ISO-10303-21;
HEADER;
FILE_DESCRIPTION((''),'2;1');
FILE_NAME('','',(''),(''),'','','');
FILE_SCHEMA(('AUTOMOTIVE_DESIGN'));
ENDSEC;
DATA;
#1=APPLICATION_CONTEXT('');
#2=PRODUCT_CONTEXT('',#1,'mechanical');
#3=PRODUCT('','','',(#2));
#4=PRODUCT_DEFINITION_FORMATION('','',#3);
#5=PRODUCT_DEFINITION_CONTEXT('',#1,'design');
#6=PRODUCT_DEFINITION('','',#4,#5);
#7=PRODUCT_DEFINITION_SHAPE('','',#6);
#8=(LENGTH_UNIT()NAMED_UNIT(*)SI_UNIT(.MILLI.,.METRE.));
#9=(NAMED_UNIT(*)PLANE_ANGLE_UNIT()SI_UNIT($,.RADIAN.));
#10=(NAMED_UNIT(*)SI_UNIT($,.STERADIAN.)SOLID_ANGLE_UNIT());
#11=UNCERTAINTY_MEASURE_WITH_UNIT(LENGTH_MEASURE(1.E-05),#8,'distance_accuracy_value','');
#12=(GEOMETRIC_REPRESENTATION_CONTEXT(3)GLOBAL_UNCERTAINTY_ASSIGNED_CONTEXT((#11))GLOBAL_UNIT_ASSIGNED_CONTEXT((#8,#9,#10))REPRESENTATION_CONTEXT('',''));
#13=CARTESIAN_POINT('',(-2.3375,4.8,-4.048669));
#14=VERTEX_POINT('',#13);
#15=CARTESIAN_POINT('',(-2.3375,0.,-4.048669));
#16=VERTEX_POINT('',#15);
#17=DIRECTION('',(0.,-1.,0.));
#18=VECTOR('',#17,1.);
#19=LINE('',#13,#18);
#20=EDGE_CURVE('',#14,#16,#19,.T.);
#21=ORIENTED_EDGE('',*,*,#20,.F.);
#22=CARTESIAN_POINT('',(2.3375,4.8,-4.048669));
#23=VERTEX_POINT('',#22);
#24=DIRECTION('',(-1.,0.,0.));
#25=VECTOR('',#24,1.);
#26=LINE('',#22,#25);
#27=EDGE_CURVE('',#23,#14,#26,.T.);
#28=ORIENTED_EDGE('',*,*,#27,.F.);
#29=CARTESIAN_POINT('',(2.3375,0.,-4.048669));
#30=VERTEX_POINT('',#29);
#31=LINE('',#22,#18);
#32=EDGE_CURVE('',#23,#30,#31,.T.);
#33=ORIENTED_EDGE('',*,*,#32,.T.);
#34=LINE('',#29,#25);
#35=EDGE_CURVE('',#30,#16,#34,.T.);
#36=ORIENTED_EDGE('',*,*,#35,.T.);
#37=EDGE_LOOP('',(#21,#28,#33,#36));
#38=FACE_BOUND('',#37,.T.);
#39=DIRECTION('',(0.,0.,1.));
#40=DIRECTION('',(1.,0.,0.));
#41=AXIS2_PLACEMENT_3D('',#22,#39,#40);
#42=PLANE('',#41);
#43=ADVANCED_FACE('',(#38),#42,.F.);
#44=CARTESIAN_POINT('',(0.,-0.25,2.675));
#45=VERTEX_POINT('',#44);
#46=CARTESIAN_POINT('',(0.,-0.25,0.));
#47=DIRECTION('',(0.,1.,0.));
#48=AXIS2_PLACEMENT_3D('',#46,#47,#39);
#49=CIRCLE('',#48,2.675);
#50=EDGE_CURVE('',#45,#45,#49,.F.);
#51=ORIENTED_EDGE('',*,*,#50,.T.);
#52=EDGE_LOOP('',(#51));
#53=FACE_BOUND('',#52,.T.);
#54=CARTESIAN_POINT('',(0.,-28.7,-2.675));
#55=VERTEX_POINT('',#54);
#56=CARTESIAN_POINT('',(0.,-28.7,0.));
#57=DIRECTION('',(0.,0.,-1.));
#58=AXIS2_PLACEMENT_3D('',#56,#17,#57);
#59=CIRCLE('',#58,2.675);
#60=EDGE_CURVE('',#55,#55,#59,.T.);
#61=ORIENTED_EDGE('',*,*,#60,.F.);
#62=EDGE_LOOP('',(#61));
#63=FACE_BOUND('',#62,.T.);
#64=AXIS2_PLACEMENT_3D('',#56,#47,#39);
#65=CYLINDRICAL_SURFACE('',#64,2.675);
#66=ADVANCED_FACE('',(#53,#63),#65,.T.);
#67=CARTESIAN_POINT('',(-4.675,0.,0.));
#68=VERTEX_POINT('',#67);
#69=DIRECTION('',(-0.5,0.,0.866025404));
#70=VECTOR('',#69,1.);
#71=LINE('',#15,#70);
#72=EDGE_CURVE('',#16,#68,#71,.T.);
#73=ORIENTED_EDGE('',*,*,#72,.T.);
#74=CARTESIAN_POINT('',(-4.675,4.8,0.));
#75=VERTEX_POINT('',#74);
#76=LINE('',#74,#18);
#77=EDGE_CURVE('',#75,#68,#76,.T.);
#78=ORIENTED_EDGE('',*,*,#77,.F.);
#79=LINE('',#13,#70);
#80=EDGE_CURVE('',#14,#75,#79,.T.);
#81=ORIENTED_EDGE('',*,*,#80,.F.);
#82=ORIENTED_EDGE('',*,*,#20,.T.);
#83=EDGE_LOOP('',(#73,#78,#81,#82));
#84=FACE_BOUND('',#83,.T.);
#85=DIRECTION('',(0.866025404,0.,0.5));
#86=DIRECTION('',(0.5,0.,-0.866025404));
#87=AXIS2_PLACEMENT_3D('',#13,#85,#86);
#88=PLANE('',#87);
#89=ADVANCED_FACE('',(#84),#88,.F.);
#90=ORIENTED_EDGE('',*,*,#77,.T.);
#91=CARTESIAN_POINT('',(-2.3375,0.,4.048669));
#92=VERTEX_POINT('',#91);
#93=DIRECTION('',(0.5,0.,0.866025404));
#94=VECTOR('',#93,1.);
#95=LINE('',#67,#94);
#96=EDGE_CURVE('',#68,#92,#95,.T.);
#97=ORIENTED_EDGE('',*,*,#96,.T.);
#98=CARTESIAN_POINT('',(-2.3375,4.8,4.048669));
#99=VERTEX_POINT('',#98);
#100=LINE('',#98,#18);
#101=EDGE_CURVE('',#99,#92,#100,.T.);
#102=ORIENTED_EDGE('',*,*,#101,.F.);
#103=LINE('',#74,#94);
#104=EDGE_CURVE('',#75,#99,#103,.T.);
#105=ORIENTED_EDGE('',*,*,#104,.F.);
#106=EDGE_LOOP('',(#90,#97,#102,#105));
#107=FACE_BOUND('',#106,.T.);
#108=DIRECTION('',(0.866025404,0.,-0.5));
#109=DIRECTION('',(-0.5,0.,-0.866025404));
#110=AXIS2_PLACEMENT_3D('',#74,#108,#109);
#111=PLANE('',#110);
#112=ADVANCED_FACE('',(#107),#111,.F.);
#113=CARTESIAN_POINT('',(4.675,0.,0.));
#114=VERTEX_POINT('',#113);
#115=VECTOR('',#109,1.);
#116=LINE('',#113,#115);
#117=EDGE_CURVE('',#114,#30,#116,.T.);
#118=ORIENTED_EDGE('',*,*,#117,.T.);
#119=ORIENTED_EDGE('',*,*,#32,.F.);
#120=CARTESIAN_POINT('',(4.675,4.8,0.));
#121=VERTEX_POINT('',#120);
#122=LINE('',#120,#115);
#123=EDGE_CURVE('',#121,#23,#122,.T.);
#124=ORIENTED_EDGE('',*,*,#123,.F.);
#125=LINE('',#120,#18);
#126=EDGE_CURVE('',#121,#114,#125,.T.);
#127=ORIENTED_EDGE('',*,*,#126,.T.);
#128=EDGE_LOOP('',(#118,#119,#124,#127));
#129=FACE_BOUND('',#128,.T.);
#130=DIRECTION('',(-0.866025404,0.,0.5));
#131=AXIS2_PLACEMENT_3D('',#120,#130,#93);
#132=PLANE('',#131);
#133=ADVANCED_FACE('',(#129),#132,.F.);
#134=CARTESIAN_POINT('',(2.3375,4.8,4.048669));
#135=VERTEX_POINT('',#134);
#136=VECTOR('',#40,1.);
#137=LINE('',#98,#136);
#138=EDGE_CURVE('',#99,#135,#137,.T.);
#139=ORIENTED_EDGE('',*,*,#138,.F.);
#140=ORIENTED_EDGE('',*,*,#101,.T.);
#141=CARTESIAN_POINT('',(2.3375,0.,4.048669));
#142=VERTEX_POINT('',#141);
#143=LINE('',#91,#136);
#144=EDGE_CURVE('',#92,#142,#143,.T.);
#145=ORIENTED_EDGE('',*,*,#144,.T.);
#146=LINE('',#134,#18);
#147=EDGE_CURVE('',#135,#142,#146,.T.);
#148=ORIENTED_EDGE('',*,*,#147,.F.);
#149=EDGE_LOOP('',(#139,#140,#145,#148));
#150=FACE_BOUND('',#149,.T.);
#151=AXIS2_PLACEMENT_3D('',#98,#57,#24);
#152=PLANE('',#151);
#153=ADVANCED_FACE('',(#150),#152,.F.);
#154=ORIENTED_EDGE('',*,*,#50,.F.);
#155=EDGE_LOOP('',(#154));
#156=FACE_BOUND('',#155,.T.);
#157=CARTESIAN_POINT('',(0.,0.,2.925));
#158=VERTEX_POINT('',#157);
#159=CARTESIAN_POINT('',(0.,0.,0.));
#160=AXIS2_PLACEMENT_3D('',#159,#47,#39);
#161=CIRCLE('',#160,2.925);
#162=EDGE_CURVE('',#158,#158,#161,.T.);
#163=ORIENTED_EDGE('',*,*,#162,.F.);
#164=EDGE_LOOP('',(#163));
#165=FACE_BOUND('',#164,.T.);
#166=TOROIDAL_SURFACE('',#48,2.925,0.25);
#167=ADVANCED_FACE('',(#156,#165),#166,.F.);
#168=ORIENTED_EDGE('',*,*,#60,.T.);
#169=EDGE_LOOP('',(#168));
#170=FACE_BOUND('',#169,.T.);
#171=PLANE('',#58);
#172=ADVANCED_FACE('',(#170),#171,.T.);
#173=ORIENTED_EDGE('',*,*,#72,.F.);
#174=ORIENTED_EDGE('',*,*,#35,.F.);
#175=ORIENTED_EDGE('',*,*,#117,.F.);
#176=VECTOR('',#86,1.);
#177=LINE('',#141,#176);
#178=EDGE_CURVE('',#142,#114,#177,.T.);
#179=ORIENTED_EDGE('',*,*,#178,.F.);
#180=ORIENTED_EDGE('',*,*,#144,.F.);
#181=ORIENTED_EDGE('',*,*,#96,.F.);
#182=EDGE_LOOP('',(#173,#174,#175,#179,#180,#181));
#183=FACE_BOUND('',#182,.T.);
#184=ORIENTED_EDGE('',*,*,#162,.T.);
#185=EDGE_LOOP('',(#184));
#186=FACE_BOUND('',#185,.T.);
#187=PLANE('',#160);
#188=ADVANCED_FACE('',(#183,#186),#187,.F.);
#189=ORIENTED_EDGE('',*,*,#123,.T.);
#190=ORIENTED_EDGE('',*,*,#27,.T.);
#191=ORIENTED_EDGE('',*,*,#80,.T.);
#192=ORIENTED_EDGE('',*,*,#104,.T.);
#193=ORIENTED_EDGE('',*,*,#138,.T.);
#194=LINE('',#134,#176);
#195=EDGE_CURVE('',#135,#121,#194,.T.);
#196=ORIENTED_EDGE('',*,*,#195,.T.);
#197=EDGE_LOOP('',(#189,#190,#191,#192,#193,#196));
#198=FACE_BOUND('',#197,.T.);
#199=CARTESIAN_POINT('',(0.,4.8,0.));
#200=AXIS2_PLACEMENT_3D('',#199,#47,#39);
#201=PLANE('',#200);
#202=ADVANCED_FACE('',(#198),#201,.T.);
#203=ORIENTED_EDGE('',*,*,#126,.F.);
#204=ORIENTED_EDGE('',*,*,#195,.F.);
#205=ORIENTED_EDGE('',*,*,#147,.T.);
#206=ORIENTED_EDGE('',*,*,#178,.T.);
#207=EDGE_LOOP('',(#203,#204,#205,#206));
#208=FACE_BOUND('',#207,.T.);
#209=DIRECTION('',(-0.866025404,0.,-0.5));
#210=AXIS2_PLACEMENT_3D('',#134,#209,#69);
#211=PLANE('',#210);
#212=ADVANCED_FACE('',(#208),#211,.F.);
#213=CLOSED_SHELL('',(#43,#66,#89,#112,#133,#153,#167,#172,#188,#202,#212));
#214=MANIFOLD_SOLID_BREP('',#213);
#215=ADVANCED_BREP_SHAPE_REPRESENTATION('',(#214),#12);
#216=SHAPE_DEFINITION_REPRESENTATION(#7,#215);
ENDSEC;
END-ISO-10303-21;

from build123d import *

# Parameters (mm, degrees)
BOSS_EXTRUDE1_DEPTH = 4.8
SKETCH3_R           = 2.675
BOSS_EXTRUDE2_DEPTH = 28.7
FILLET1_R           = 0.25


with BuildPart() as part:
    # Sketch2 → Boss-Extrude1 (new body)
    with BuildSketch(Plane(origin=(0, 0, 0), x_dir=(1, 0, 0), z_dir=(0, 1, 0))):
        Polygon((-2.3375, 4.048668763), (-4.675, 0), (-2.3375, -4.048668763), (2.3375, -4.048668763), (4.675, 0), (2.3375, 4.048668763), align=None)
    extrude(amount=BOSS_EXTRUDE1_DEPTH)

    # Sketch3 → Boss-Extrude2 (add)
    with BuildSketch(Plane.XZ):
        with Locations(Location((0, 0, 0), (0, 0, 270))):
            Circle(SKETCH3_R)
    extrude(amount=BOSS_EXTRUDE2_DEPTH)

    # Fillet1
    fillet1_edges = [part.edges().sort_by_distance(p)[0] for p in [
        (0, 0, 2.675),
    ]]
    fillet(fillet1_edges, radius=FILLET1_R)


solid = part.part
